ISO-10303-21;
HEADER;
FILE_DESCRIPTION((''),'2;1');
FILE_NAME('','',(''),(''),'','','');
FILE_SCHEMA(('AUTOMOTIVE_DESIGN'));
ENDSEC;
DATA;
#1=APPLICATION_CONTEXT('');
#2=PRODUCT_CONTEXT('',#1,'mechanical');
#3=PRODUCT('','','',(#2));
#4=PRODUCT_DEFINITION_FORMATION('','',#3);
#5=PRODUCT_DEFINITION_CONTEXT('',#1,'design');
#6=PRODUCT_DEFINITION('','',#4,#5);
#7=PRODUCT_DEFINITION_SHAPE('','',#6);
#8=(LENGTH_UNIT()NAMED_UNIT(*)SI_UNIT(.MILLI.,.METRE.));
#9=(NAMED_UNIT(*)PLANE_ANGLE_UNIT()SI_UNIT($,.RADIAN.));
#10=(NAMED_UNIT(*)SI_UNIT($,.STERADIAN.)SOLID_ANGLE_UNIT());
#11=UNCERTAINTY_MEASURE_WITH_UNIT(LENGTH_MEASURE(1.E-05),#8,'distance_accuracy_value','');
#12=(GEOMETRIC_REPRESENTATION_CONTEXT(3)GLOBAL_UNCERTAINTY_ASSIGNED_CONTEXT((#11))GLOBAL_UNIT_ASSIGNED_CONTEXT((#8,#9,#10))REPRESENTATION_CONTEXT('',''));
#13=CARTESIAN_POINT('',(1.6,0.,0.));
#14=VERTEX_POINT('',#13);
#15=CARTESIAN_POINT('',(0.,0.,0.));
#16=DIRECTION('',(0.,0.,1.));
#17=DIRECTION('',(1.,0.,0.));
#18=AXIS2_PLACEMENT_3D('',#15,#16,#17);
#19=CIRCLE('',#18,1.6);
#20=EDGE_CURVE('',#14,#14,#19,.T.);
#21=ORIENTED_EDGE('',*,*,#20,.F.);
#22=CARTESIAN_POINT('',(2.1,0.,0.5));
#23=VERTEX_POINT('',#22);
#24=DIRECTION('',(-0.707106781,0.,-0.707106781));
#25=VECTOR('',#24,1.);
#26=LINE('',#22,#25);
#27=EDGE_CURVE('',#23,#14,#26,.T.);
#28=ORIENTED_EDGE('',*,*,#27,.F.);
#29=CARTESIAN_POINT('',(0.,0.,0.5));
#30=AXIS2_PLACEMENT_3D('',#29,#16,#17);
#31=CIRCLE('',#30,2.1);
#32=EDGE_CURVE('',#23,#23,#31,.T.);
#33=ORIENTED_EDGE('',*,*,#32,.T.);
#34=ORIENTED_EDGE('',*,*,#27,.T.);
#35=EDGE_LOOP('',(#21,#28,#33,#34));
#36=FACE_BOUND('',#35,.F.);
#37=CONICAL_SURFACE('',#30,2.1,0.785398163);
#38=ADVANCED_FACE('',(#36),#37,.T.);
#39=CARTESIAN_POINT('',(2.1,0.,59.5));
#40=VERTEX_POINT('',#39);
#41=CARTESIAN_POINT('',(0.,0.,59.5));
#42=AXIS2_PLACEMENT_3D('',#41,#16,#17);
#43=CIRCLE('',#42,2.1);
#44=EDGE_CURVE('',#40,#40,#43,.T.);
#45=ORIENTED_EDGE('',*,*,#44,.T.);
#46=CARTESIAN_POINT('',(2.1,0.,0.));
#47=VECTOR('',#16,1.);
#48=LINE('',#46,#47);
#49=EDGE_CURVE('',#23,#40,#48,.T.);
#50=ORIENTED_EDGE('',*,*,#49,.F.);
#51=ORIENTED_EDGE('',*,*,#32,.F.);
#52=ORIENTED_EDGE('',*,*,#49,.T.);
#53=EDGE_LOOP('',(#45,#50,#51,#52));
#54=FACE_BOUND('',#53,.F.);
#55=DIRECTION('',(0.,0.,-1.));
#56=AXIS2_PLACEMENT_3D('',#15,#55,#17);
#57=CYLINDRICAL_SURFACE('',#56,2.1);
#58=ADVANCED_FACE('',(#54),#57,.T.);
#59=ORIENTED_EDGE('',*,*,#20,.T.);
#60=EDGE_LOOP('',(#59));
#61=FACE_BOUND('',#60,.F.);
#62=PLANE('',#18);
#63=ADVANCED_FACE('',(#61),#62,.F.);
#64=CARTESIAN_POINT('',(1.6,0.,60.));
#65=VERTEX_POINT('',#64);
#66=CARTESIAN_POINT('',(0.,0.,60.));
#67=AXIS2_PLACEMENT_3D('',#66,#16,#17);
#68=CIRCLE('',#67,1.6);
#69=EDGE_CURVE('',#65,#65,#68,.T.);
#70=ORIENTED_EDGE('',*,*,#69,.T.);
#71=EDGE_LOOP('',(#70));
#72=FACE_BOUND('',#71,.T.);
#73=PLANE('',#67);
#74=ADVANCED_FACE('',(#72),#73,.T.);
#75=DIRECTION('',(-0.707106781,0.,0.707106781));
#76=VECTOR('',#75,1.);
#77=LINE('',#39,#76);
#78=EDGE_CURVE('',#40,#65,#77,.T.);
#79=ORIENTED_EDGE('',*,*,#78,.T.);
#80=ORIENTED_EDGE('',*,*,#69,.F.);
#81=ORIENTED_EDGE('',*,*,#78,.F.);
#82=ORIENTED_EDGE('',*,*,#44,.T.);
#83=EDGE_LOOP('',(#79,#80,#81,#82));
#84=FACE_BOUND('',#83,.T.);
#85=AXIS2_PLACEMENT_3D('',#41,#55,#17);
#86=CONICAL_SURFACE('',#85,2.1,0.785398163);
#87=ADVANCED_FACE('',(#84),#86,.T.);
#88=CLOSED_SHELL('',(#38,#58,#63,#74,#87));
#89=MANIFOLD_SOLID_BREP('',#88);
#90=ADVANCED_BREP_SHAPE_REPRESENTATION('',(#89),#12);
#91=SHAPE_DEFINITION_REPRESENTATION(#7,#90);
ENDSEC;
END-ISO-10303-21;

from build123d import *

# Parameters (mm, degrees)
SKETCH_R     = 2.1
PAD_DEPTH    = 60
CHAMFER_SIZE = 0.5


with BuildPart() as part:
    # Sketch → Pad (new body)
    with BuildSketch(Plane.XY):
        Circle(SKETCH_R)
    extrude(amount=PAD_DEPTH)

    # Chamfer
    chamfer_edges = [part.edges().sort_by_distance(p)[0] for p in [
        (-2.1, 0, 60),
        (-2.1, 0, 0),
    ]]
    chamfer(chamfer_edges, length=CHAMFER_SIZE)


solid = part.part
